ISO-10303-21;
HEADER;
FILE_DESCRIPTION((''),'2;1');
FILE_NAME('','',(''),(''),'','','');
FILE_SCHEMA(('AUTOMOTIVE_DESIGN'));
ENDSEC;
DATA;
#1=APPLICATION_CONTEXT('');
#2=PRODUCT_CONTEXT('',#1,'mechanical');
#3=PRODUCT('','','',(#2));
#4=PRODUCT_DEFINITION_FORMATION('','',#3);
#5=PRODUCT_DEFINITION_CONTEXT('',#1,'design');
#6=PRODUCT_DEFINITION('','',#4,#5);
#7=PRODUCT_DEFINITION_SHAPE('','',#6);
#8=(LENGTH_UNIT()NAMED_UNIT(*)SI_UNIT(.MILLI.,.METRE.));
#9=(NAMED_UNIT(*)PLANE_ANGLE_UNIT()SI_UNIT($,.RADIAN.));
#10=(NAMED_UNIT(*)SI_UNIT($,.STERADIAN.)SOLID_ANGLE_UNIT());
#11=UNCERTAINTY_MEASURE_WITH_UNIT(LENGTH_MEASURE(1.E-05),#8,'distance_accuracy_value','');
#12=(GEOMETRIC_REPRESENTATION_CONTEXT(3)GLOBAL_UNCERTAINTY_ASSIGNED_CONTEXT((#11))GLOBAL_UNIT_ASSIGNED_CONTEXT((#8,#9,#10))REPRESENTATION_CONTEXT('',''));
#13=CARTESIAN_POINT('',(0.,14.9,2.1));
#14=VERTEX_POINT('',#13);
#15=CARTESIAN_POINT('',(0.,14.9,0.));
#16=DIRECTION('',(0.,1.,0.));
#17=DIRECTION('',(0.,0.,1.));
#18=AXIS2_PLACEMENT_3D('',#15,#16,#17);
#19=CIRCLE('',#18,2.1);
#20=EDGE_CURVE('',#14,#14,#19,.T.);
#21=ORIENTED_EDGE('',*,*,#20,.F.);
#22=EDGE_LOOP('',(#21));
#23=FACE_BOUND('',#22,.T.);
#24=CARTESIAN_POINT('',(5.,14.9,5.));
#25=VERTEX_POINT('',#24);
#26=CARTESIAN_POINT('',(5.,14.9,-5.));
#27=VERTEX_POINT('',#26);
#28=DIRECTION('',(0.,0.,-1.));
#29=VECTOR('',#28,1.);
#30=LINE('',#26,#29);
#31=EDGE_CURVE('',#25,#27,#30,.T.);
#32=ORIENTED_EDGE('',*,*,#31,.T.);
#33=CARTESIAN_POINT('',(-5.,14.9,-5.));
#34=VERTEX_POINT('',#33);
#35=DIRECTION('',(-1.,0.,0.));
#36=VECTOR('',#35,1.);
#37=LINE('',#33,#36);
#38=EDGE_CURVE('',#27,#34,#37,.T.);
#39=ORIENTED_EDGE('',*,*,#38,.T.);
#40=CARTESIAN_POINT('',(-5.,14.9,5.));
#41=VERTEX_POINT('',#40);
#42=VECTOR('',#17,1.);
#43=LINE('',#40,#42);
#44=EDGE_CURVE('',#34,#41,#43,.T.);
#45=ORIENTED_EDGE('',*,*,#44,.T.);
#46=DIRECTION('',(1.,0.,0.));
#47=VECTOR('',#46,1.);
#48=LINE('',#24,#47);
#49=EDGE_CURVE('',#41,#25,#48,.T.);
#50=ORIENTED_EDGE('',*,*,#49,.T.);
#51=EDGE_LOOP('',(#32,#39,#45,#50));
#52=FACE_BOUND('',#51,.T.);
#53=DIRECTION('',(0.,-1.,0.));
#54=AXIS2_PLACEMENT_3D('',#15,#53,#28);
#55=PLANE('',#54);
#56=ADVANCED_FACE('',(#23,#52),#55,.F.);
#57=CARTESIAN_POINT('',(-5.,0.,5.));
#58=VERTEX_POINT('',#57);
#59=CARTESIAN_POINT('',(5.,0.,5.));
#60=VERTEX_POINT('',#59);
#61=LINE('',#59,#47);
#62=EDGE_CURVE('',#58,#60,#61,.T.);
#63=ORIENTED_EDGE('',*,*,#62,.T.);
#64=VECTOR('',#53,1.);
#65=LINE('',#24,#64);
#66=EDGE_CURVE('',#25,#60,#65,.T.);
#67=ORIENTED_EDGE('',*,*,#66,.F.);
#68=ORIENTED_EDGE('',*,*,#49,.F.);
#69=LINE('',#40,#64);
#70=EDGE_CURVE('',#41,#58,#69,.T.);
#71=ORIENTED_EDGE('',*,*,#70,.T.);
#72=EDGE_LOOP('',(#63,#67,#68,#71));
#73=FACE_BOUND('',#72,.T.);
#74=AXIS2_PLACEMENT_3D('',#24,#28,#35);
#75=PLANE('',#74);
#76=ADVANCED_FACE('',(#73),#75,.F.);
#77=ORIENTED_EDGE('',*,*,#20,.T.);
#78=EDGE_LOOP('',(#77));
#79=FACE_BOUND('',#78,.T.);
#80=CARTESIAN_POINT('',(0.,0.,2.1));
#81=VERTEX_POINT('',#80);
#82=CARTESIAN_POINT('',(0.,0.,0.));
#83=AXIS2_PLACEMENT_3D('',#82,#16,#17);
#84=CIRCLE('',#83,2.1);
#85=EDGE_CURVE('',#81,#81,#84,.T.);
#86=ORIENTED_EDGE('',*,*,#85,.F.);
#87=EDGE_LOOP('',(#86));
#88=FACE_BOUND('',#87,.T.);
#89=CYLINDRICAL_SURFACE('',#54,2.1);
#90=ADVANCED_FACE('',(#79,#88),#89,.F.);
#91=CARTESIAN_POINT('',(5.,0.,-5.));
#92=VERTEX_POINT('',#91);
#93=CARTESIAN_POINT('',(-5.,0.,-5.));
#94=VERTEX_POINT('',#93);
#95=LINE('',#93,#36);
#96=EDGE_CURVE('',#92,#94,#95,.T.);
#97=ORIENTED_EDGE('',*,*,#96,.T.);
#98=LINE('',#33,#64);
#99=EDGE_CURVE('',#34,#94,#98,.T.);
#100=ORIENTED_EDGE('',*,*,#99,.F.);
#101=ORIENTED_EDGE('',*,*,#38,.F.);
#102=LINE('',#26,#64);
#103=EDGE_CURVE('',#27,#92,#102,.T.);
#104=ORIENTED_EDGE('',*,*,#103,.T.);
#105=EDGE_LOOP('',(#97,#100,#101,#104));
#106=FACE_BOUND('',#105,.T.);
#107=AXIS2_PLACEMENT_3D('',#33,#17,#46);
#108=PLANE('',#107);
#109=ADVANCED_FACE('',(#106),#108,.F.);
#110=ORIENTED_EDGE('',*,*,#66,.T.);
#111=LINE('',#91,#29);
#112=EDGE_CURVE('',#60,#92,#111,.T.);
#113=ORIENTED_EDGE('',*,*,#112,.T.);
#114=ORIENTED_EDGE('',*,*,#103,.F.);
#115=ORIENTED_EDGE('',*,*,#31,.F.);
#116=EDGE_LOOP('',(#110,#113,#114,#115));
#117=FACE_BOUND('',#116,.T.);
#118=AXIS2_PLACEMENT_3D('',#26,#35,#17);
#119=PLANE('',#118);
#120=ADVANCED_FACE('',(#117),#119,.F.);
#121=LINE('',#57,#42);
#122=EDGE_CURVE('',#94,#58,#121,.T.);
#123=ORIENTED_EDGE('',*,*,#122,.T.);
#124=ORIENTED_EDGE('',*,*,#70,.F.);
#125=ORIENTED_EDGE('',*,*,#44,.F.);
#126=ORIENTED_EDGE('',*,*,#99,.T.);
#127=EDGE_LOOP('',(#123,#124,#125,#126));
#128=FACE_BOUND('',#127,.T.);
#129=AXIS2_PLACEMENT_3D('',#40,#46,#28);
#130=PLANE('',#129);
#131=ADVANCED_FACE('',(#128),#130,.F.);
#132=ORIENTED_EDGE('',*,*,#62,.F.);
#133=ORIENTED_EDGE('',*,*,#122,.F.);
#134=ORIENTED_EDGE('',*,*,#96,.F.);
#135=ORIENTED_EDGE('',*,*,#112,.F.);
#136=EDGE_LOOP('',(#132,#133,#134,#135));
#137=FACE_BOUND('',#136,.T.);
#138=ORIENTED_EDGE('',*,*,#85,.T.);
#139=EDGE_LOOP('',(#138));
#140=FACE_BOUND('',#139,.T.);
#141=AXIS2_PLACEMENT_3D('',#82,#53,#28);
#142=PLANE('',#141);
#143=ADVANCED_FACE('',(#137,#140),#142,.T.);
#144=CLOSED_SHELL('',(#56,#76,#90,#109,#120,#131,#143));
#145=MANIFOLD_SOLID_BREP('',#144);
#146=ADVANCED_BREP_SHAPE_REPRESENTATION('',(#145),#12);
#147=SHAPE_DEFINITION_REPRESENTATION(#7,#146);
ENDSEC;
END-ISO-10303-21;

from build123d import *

# Parameters (mm, degrees)
SKETCH_1_W      = 10
SKETCH_1_H      = 10
SKETCH_1_R      = 2.1
EXTRUDE_1_DEPTH = 14.9


with BuildPart() as part:
    # Эскиз1 → Бобышка-Вытянуть1 (new body)
    with BuildSketch(Plane(origin=(0, 0, 0), x_dir=(1, 0, 0), z_dir=(0, 1, 0))):
        Rectangle(SKETCH_1_W, SKETCH_1_H)
        with Locations(Location((0, 0, 0), (0, 0, 270))):
            Circle(SKETCH_1_R, mode=Mode.SUBTRACT)
    extrude(amount=EXTRUDE_1_DEPTH)


solid = part.part
